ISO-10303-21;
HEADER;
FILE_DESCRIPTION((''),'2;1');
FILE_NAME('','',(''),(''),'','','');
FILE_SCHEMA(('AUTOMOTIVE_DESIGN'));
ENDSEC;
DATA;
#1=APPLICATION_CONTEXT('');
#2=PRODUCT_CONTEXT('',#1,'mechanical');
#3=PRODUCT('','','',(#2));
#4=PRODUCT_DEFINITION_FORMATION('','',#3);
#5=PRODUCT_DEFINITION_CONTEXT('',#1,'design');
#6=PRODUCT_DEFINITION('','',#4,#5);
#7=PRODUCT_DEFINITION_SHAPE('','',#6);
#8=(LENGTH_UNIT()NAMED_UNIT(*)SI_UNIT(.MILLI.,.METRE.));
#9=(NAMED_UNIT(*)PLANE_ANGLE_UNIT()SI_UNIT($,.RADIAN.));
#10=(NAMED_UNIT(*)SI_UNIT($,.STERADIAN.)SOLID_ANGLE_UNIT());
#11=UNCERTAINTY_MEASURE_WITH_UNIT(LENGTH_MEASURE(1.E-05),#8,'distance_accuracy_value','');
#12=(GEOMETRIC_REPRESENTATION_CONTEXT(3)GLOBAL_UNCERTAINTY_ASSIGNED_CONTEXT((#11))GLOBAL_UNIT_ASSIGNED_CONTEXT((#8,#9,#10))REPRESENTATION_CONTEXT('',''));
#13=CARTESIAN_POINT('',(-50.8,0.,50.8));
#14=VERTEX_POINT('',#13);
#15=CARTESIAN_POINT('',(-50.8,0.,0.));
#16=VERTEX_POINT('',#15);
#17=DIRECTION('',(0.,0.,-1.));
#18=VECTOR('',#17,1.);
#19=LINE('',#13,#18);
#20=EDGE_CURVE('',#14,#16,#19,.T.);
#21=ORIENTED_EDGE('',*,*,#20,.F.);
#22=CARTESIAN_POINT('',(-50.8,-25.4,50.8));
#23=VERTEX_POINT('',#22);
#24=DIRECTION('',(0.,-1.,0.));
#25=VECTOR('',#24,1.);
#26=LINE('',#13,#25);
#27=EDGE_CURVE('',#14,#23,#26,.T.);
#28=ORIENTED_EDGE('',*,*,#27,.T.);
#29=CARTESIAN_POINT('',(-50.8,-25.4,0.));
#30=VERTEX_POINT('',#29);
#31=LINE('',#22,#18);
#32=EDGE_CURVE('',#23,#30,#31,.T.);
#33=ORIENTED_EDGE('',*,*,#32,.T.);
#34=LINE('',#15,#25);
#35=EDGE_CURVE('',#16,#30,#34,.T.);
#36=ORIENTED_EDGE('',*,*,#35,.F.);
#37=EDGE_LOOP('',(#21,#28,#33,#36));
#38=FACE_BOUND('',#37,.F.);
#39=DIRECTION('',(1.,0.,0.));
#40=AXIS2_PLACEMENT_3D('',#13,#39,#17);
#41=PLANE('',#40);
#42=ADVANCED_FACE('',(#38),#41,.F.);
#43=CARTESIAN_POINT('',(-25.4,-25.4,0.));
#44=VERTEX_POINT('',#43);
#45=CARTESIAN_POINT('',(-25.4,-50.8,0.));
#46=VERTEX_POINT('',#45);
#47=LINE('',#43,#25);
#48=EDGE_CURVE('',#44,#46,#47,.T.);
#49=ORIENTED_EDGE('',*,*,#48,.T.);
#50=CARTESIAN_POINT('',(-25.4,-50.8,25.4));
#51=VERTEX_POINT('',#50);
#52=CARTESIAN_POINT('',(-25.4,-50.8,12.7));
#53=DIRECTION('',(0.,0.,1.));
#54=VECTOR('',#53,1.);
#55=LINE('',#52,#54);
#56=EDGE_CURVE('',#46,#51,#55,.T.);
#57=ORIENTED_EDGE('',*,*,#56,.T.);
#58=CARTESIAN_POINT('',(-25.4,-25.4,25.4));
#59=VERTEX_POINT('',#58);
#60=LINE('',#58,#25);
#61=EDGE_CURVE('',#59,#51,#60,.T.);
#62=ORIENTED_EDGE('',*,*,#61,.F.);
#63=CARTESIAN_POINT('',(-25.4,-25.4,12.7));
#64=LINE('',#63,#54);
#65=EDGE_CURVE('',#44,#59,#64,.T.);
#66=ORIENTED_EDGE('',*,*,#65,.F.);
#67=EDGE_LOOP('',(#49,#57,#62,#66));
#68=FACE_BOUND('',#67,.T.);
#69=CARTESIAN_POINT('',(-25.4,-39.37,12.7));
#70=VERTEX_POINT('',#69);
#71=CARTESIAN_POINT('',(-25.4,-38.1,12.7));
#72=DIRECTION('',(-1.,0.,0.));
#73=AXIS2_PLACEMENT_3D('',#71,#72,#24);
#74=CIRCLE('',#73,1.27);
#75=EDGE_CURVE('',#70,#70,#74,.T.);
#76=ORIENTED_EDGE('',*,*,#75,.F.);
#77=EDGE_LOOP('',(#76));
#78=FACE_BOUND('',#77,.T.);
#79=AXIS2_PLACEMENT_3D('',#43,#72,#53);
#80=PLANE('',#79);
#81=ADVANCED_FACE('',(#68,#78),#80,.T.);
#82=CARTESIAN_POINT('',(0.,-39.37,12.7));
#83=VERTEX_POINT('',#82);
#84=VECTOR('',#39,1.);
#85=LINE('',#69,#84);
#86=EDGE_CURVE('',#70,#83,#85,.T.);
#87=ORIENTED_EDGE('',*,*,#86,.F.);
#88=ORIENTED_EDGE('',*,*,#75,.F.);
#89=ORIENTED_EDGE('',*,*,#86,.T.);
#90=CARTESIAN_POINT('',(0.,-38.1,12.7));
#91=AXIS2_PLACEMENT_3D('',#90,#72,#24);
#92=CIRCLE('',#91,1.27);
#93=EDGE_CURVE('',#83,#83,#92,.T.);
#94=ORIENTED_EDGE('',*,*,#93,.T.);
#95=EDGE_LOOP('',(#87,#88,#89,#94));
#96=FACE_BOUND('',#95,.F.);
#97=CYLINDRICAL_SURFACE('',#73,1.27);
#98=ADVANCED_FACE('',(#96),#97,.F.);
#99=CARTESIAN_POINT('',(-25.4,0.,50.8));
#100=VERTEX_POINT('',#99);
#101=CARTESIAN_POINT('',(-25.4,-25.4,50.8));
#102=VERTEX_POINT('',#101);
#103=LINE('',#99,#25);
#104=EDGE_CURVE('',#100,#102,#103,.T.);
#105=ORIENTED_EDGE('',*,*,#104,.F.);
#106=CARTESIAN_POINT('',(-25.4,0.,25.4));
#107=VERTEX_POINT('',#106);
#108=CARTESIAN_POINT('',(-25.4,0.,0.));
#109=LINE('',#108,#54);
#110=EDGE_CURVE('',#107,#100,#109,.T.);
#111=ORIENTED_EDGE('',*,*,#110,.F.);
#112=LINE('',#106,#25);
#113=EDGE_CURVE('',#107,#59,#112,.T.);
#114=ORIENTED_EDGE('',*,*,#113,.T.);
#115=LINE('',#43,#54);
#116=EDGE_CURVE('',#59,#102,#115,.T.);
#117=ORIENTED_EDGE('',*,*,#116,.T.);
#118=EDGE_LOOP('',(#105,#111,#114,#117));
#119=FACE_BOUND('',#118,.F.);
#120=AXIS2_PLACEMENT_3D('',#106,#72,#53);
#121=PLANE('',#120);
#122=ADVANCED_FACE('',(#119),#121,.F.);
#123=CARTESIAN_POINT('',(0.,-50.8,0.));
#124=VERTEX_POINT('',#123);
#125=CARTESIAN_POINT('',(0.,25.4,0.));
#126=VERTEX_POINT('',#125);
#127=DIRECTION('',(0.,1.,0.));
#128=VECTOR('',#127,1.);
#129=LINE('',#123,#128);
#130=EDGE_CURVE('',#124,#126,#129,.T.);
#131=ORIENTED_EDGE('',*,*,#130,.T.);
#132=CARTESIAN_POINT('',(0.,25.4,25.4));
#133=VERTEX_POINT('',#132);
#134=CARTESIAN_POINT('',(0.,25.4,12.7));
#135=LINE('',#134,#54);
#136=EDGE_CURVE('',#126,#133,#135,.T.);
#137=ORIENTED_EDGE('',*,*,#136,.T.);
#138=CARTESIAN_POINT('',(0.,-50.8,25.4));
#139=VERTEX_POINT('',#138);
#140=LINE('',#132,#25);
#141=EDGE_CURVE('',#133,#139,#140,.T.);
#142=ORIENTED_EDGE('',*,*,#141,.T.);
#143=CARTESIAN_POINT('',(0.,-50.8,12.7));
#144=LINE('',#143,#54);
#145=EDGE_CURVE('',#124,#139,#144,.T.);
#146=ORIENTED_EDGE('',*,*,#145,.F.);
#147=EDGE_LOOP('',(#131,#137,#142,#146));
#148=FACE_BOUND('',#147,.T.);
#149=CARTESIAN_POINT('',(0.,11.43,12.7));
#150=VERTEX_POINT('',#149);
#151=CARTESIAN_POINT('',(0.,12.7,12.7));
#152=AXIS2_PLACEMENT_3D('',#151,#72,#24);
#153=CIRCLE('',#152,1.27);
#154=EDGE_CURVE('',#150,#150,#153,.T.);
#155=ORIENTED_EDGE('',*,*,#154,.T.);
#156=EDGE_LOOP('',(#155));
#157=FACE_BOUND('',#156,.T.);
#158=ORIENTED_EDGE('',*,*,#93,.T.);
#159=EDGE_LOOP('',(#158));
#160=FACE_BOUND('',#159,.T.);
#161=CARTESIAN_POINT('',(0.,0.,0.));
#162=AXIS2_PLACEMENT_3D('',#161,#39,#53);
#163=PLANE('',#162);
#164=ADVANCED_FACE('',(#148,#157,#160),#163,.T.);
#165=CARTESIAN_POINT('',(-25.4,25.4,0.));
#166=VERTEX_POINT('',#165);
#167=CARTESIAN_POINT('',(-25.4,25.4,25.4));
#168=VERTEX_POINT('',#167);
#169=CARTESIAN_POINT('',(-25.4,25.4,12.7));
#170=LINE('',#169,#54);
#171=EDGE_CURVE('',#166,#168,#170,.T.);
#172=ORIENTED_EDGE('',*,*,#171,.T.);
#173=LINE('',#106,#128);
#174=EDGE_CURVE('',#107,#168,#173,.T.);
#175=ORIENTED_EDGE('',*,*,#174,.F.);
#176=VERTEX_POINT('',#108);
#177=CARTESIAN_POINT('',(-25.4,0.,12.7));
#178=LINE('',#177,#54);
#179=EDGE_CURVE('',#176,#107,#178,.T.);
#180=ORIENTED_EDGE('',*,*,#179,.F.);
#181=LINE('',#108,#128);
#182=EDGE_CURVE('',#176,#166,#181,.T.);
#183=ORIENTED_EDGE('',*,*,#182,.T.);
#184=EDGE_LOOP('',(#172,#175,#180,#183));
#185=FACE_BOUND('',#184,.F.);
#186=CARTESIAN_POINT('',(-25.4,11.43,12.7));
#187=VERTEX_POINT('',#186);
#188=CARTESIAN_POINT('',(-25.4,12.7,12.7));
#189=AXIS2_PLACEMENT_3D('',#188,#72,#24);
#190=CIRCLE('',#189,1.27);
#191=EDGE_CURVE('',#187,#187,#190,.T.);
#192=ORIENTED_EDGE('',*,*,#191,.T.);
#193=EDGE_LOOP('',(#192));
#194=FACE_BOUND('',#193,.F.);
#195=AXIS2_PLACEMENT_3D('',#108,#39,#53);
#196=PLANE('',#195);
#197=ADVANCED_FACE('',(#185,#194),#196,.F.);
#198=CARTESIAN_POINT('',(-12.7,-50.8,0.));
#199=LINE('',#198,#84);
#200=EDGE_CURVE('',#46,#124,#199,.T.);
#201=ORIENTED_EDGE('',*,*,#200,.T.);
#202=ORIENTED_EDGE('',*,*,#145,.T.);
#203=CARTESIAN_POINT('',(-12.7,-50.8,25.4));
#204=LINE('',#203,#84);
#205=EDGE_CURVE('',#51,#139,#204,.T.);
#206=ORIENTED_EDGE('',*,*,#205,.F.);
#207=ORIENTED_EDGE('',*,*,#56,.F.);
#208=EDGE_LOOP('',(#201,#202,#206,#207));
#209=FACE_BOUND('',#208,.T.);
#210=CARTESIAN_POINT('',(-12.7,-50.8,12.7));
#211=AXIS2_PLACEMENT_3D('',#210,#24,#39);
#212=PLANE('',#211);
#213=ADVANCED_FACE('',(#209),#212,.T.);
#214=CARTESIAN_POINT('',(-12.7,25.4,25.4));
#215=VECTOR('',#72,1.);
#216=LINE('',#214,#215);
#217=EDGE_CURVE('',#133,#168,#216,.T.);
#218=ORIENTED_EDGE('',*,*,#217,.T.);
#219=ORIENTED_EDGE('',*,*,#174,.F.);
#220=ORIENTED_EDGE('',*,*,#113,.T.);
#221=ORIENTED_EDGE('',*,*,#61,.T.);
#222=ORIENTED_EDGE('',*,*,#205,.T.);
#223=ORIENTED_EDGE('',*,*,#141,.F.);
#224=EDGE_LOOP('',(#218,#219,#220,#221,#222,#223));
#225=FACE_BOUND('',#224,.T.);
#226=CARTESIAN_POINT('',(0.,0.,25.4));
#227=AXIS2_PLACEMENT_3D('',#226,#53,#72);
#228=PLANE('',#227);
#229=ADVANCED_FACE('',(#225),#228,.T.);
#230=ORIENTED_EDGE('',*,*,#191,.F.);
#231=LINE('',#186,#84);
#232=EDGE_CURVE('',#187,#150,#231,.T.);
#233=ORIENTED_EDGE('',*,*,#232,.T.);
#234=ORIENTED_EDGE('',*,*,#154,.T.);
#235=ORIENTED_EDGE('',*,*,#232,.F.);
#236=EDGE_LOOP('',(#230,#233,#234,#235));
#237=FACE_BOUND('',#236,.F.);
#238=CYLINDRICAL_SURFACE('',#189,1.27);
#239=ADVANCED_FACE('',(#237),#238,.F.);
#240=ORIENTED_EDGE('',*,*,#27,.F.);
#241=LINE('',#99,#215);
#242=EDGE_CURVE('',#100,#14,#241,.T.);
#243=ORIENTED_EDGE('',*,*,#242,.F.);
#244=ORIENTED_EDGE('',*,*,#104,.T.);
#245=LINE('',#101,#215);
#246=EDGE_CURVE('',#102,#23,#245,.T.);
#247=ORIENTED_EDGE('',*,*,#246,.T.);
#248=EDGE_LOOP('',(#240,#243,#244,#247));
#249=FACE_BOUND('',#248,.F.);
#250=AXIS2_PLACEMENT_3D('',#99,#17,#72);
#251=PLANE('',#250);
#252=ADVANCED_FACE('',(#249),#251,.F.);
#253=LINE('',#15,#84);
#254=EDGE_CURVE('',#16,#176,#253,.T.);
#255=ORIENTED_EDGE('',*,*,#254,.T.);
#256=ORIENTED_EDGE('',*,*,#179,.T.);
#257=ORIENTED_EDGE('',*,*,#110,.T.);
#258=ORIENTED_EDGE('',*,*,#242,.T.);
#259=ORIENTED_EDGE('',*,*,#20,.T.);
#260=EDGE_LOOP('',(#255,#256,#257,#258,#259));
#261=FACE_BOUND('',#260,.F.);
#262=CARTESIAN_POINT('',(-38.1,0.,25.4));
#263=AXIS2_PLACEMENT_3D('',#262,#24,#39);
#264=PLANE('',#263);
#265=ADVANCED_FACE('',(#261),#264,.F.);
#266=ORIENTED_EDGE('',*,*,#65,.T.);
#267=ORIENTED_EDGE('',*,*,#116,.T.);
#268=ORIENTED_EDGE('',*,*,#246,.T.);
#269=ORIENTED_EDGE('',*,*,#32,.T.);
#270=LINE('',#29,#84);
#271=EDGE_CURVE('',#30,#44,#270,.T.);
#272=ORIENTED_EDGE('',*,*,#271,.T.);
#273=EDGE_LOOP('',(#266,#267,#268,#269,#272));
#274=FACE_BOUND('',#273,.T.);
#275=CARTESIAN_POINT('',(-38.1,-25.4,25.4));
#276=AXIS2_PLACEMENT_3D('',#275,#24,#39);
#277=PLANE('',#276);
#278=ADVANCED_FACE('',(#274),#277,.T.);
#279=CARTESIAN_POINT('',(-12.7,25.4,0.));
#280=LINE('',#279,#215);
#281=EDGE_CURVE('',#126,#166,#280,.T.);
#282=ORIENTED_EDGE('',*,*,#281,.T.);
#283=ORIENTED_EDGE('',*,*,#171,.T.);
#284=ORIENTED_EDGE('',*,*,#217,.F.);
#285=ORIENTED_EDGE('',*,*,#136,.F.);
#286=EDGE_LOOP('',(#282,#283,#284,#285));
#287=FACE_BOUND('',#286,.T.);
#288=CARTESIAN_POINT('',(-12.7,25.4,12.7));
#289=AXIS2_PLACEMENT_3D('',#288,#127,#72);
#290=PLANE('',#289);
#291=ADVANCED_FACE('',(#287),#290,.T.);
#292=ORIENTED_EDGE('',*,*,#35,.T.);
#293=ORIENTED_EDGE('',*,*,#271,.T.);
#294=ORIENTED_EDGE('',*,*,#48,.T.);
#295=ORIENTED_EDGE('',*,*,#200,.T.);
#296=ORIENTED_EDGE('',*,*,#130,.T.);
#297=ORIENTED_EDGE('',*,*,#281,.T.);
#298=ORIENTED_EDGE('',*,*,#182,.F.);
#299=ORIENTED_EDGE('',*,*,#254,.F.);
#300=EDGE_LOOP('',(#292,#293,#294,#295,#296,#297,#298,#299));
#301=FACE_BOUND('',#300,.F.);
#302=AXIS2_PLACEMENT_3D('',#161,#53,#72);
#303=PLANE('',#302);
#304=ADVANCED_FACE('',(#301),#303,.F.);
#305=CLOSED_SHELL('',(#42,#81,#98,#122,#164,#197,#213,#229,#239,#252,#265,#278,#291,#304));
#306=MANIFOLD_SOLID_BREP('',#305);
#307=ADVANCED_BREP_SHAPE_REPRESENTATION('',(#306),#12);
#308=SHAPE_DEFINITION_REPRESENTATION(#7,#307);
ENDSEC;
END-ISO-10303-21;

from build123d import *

# Parameters (mm, degrees)
F0_W     = 25.4
F0_H     = 25.4
F1_DEPTH = 25.4
F2_W     = 25.4
F2_H     = 25.4
F3_DEPTH = 25.4
F4_W     = 25.4
F4_H     = 25.4
F5_DEPTH = 25.4
F7_R     = 1.27
F6_R     = 1.27
F8_DEPTH = 25.4


with BuildPart() as f1:
    # F0 (on Front) → F1 (new body)
    with BuildSketch(Plane.XZ):
        Polygon((-50.8, 0), (-25.4, 0), (-25.4, 25.4), (-25.4, 50.8), (-50.8, 50.8), align=None)
        with Locations((-12.7, 12.7)):
            Rectangle(F0_W, F0_H)
    extrude(amount=F1_DEPTH)

    # F2 (on face) → F3 (join)
    with BuildSketch(Plane.XZ.offset(25.4)):
        with Locations((-12.7, 12.7)):
            Rectangle(F2_W, F2_H)
    extrude(amount=F3_DEPTH)

    # F4 (on face) → F5 (join)
    with BuildSketch(Plane(origin=(0, 0, 0), x_dir=(-1, 0, 0), z_dir=(0, 1, 0))):
        with Locations((12.7, 12.7)):
            Rectangle(F4_W, F4_H)
    extrude(amount=F5_DEPTH)

    # F7 (on face) + F6 (on face) → F8 (cut)
    with BuildSketch(Plane(origin=(-25.4, 0, 0), x_dir=(0, -1, 0), z_dir=(-1, 0, 0))):
        with Locations((38.1, 12.7)):
            Circle(F7_R)
    with BuildSketch(Plane(origin=(-25.4, 0, 0), x_dir=(0, -1, 0), z_dir=(-1, 0, 0))):
        with Locations((-12.7, 12.7)):
            Circle(F6_R)
    extrude(amount=-F8_DEPTH, mode=Mode.SUBTRACT)


solid = f1.part
